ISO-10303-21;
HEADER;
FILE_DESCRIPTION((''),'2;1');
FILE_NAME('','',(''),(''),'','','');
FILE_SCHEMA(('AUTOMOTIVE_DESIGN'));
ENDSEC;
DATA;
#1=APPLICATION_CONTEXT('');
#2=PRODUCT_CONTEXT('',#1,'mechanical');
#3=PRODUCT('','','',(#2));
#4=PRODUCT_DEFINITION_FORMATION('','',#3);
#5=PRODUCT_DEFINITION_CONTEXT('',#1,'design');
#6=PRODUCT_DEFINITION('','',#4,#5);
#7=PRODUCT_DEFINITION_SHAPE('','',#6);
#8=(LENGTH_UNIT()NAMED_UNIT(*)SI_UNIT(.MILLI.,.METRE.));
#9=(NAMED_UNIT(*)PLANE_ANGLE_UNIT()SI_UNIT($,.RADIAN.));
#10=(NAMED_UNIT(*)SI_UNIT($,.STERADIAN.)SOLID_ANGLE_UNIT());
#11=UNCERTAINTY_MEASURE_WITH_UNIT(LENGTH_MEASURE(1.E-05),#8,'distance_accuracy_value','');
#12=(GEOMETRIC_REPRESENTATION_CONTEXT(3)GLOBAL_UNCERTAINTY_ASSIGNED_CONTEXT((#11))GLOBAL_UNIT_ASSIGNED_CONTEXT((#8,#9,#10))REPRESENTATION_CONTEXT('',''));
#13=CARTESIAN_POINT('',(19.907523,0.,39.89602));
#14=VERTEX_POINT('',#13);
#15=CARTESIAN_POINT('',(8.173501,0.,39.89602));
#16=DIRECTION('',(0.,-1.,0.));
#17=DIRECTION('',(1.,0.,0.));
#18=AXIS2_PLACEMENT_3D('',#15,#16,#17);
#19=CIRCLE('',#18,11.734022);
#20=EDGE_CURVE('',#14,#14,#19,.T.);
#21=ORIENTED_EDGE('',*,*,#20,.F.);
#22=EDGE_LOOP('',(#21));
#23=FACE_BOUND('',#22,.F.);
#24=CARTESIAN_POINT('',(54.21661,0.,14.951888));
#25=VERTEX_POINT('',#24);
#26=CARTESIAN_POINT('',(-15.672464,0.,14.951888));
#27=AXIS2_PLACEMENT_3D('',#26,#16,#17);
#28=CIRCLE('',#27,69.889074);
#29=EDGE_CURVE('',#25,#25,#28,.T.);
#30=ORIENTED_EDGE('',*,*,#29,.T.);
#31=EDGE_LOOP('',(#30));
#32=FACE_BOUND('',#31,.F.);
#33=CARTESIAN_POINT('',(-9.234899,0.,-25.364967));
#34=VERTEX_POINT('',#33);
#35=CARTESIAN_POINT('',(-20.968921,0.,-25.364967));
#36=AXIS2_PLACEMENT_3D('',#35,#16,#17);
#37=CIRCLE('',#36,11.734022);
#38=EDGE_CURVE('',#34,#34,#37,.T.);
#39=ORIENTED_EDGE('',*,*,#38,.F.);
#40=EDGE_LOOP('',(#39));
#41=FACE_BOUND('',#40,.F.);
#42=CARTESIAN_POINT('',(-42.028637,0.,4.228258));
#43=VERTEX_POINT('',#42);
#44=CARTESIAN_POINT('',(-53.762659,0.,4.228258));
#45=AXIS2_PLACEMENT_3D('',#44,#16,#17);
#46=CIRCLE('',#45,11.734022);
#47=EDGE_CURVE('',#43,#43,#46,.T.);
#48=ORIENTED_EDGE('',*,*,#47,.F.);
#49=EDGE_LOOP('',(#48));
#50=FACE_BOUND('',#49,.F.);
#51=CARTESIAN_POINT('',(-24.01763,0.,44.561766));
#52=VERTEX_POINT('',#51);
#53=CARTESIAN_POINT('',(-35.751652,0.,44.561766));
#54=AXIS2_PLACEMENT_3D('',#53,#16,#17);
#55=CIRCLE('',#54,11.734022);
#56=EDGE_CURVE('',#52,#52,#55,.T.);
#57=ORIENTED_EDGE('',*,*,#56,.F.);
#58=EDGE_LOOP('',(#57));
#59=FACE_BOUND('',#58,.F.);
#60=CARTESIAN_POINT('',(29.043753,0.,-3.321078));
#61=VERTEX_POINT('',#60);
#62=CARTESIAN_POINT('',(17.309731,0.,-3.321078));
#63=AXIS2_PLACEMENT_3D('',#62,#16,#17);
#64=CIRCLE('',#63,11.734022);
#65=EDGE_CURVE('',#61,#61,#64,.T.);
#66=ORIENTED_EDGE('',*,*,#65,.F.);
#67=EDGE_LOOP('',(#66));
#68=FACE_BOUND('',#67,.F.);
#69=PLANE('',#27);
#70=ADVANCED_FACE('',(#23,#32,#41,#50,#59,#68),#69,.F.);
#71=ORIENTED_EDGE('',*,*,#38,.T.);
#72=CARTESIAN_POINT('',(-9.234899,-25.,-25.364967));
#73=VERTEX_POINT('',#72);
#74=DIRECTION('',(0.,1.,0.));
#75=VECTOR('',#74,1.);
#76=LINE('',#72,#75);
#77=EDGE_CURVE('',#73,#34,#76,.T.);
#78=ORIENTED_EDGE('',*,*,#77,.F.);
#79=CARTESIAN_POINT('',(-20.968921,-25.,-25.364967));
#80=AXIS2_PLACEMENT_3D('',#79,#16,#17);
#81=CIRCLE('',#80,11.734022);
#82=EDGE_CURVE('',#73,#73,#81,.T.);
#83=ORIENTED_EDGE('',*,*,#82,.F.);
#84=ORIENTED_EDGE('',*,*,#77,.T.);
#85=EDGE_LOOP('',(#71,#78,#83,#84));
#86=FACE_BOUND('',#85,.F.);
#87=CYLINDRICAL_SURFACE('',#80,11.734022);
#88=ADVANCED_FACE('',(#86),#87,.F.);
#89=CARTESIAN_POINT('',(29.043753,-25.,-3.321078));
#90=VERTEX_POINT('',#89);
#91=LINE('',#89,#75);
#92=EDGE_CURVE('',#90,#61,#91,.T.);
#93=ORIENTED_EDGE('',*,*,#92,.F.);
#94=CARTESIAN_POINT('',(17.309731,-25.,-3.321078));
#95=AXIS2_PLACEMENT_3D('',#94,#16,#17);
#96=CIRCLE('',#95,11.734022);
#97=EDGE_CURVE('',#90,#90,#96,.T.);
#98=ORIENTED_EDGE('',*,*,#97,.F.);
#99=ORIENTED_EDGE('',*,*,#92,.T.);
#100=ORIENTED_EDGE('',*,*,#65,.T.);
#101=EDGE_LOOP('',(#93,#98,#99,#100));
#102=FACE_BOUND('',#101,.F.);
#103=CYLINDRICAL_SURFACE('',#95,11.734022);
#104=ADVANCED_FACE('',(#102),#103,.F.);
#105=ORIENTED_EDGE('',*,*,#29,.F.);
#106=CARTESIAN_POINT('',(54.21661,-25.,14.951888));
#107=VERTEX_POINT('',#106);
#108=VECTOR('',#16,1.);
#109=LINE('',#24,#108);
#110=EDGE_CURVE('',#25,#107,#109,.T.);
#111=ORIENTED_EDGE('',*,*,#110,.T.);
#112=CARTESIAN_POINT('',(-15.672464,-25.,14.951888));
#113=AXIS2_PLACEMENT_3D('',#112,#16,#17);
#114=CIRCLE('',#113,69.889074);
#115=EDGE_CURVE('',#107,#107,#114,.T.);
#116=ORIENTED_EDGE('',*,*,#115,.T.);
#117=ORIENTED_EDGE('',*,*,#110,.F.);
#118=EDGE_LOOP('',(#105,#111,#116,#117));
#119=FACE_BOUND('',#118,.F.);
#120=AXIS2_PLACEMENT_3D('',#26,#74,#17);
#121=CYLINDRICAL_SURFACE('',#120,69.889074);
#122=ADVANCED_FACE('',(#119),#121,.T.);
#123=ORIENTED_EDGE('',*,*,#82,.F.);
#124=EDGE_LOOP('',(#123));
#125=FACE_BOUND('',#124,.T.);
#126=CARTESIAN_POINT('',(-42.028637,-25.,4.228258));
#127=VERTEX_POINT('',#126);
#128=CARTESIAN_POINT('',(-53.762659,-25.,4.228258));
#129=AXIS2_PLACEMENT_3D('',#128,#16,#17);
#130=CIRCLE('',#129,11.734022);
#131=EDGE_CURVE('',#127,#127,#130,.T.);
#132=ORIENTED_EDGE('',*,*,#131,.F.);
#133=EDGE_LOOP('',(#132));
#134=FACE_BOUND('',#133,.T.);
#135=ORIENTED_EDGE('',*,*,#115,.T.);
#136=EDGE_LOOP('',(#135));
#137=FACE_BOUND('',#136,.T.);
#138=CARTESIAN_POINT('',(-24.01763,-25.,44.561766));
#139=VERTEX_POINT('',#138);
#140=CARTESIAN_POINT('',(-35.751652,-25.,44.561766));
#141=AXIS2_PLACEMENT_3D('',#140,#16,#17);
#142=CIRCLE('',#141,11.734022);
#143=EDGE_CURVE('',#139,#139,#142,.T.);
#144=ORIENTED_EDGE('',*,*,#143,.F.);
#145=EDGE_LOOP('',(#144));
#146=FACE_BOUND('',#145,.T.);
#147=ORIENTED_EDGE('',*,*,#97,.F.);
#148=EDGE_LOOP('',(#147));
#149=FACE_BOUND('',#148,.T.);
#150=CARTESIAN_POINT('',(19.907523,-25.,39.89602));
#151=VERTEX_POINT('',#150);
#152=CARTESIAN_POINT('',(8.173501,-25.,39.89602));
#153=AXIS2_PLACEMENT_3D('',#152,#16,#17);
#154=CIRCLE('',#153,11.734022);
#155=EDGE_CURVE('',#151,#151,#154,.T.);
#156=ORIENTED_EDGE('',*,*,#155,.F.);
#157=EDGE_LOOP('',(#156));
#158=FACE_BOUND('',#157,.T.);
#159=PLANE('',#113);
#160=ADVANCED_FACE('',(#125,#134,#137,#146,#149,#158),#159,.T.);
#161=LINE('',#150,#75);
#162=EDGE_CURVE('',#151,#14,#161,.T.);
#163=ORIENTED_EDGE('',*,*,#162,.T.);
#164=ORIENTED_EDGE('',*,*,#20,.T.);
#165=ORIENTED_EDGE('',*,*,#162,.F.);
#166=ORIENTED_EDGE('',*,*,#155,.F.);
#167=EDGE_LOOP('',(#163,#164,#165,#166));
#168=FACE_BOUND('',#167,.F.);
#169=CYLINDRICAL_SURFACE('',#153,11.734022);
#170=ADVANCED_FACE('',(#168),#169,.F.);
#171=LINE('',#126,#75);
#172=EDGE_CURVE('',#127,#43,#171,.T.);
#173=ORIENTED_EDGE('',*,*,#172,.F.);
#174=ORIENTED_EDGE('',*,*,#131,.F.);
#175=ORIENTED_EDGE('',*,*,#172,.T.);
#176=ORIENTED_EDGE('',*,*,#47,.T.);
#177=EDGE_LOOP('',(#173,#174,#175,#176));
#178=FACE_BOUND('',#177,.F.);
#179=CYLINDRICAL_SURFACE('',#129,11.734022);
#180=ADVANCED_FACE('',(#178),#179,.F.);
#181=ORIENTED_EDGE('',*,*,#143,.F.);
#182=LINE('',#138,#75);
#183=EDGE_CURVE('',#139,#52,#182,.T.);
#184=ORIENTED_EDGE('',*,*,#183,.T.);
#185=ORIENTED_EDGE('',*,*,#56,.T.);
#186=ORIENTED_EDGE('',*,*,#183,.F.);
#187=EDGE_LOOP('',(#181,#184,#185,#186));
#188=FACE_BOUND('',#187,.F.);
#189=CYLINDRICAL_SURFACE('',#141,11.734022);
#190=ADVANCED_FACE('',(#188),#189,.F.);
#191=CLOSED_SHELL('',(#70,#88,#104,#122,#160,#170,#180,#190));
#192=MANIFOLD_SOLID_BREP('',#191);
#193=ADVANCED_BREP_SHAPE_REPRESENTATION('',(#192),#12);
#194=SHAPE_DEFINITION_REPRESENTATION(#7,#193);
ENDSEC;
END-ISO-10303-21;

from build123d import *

# Parameters (mm, degrees)
F0_R     = 69.889074
F1_DEPTH = 25
F2_R     = 11.734022
F3_DEPTH = 77


with BuildPart() as f1:
    # F0 (on Front) → F1 (new body)
    with BuildSketch(Plane.XZ):
        with Locations((-15.672464, 14.951888)):
            Circle(F0_R)
    extrude(amount=F1_DEPTH)

    # F2 (on face) → F3 (cut)
    with BuildSketch(Plane.XZ.offset(25)):
        with Locations((-35.751652, 44.561766)):
            Circle(F2_R)
        with Locations((-53.762659, 4.228258)):
            Circle(F2_R)
        with Locations((-20.968921, -25.364967)):
            Circle(F2_R)
        with Locations((17.309731, -3.321078)):
            Circle(F2_R)
        with Locations((8.173501, 39.89602)):
            Circle(F2_R)
    extrude(amount=-F3_DEPTH, mode=Mode.SUBTRACT)


solid = f1.part
